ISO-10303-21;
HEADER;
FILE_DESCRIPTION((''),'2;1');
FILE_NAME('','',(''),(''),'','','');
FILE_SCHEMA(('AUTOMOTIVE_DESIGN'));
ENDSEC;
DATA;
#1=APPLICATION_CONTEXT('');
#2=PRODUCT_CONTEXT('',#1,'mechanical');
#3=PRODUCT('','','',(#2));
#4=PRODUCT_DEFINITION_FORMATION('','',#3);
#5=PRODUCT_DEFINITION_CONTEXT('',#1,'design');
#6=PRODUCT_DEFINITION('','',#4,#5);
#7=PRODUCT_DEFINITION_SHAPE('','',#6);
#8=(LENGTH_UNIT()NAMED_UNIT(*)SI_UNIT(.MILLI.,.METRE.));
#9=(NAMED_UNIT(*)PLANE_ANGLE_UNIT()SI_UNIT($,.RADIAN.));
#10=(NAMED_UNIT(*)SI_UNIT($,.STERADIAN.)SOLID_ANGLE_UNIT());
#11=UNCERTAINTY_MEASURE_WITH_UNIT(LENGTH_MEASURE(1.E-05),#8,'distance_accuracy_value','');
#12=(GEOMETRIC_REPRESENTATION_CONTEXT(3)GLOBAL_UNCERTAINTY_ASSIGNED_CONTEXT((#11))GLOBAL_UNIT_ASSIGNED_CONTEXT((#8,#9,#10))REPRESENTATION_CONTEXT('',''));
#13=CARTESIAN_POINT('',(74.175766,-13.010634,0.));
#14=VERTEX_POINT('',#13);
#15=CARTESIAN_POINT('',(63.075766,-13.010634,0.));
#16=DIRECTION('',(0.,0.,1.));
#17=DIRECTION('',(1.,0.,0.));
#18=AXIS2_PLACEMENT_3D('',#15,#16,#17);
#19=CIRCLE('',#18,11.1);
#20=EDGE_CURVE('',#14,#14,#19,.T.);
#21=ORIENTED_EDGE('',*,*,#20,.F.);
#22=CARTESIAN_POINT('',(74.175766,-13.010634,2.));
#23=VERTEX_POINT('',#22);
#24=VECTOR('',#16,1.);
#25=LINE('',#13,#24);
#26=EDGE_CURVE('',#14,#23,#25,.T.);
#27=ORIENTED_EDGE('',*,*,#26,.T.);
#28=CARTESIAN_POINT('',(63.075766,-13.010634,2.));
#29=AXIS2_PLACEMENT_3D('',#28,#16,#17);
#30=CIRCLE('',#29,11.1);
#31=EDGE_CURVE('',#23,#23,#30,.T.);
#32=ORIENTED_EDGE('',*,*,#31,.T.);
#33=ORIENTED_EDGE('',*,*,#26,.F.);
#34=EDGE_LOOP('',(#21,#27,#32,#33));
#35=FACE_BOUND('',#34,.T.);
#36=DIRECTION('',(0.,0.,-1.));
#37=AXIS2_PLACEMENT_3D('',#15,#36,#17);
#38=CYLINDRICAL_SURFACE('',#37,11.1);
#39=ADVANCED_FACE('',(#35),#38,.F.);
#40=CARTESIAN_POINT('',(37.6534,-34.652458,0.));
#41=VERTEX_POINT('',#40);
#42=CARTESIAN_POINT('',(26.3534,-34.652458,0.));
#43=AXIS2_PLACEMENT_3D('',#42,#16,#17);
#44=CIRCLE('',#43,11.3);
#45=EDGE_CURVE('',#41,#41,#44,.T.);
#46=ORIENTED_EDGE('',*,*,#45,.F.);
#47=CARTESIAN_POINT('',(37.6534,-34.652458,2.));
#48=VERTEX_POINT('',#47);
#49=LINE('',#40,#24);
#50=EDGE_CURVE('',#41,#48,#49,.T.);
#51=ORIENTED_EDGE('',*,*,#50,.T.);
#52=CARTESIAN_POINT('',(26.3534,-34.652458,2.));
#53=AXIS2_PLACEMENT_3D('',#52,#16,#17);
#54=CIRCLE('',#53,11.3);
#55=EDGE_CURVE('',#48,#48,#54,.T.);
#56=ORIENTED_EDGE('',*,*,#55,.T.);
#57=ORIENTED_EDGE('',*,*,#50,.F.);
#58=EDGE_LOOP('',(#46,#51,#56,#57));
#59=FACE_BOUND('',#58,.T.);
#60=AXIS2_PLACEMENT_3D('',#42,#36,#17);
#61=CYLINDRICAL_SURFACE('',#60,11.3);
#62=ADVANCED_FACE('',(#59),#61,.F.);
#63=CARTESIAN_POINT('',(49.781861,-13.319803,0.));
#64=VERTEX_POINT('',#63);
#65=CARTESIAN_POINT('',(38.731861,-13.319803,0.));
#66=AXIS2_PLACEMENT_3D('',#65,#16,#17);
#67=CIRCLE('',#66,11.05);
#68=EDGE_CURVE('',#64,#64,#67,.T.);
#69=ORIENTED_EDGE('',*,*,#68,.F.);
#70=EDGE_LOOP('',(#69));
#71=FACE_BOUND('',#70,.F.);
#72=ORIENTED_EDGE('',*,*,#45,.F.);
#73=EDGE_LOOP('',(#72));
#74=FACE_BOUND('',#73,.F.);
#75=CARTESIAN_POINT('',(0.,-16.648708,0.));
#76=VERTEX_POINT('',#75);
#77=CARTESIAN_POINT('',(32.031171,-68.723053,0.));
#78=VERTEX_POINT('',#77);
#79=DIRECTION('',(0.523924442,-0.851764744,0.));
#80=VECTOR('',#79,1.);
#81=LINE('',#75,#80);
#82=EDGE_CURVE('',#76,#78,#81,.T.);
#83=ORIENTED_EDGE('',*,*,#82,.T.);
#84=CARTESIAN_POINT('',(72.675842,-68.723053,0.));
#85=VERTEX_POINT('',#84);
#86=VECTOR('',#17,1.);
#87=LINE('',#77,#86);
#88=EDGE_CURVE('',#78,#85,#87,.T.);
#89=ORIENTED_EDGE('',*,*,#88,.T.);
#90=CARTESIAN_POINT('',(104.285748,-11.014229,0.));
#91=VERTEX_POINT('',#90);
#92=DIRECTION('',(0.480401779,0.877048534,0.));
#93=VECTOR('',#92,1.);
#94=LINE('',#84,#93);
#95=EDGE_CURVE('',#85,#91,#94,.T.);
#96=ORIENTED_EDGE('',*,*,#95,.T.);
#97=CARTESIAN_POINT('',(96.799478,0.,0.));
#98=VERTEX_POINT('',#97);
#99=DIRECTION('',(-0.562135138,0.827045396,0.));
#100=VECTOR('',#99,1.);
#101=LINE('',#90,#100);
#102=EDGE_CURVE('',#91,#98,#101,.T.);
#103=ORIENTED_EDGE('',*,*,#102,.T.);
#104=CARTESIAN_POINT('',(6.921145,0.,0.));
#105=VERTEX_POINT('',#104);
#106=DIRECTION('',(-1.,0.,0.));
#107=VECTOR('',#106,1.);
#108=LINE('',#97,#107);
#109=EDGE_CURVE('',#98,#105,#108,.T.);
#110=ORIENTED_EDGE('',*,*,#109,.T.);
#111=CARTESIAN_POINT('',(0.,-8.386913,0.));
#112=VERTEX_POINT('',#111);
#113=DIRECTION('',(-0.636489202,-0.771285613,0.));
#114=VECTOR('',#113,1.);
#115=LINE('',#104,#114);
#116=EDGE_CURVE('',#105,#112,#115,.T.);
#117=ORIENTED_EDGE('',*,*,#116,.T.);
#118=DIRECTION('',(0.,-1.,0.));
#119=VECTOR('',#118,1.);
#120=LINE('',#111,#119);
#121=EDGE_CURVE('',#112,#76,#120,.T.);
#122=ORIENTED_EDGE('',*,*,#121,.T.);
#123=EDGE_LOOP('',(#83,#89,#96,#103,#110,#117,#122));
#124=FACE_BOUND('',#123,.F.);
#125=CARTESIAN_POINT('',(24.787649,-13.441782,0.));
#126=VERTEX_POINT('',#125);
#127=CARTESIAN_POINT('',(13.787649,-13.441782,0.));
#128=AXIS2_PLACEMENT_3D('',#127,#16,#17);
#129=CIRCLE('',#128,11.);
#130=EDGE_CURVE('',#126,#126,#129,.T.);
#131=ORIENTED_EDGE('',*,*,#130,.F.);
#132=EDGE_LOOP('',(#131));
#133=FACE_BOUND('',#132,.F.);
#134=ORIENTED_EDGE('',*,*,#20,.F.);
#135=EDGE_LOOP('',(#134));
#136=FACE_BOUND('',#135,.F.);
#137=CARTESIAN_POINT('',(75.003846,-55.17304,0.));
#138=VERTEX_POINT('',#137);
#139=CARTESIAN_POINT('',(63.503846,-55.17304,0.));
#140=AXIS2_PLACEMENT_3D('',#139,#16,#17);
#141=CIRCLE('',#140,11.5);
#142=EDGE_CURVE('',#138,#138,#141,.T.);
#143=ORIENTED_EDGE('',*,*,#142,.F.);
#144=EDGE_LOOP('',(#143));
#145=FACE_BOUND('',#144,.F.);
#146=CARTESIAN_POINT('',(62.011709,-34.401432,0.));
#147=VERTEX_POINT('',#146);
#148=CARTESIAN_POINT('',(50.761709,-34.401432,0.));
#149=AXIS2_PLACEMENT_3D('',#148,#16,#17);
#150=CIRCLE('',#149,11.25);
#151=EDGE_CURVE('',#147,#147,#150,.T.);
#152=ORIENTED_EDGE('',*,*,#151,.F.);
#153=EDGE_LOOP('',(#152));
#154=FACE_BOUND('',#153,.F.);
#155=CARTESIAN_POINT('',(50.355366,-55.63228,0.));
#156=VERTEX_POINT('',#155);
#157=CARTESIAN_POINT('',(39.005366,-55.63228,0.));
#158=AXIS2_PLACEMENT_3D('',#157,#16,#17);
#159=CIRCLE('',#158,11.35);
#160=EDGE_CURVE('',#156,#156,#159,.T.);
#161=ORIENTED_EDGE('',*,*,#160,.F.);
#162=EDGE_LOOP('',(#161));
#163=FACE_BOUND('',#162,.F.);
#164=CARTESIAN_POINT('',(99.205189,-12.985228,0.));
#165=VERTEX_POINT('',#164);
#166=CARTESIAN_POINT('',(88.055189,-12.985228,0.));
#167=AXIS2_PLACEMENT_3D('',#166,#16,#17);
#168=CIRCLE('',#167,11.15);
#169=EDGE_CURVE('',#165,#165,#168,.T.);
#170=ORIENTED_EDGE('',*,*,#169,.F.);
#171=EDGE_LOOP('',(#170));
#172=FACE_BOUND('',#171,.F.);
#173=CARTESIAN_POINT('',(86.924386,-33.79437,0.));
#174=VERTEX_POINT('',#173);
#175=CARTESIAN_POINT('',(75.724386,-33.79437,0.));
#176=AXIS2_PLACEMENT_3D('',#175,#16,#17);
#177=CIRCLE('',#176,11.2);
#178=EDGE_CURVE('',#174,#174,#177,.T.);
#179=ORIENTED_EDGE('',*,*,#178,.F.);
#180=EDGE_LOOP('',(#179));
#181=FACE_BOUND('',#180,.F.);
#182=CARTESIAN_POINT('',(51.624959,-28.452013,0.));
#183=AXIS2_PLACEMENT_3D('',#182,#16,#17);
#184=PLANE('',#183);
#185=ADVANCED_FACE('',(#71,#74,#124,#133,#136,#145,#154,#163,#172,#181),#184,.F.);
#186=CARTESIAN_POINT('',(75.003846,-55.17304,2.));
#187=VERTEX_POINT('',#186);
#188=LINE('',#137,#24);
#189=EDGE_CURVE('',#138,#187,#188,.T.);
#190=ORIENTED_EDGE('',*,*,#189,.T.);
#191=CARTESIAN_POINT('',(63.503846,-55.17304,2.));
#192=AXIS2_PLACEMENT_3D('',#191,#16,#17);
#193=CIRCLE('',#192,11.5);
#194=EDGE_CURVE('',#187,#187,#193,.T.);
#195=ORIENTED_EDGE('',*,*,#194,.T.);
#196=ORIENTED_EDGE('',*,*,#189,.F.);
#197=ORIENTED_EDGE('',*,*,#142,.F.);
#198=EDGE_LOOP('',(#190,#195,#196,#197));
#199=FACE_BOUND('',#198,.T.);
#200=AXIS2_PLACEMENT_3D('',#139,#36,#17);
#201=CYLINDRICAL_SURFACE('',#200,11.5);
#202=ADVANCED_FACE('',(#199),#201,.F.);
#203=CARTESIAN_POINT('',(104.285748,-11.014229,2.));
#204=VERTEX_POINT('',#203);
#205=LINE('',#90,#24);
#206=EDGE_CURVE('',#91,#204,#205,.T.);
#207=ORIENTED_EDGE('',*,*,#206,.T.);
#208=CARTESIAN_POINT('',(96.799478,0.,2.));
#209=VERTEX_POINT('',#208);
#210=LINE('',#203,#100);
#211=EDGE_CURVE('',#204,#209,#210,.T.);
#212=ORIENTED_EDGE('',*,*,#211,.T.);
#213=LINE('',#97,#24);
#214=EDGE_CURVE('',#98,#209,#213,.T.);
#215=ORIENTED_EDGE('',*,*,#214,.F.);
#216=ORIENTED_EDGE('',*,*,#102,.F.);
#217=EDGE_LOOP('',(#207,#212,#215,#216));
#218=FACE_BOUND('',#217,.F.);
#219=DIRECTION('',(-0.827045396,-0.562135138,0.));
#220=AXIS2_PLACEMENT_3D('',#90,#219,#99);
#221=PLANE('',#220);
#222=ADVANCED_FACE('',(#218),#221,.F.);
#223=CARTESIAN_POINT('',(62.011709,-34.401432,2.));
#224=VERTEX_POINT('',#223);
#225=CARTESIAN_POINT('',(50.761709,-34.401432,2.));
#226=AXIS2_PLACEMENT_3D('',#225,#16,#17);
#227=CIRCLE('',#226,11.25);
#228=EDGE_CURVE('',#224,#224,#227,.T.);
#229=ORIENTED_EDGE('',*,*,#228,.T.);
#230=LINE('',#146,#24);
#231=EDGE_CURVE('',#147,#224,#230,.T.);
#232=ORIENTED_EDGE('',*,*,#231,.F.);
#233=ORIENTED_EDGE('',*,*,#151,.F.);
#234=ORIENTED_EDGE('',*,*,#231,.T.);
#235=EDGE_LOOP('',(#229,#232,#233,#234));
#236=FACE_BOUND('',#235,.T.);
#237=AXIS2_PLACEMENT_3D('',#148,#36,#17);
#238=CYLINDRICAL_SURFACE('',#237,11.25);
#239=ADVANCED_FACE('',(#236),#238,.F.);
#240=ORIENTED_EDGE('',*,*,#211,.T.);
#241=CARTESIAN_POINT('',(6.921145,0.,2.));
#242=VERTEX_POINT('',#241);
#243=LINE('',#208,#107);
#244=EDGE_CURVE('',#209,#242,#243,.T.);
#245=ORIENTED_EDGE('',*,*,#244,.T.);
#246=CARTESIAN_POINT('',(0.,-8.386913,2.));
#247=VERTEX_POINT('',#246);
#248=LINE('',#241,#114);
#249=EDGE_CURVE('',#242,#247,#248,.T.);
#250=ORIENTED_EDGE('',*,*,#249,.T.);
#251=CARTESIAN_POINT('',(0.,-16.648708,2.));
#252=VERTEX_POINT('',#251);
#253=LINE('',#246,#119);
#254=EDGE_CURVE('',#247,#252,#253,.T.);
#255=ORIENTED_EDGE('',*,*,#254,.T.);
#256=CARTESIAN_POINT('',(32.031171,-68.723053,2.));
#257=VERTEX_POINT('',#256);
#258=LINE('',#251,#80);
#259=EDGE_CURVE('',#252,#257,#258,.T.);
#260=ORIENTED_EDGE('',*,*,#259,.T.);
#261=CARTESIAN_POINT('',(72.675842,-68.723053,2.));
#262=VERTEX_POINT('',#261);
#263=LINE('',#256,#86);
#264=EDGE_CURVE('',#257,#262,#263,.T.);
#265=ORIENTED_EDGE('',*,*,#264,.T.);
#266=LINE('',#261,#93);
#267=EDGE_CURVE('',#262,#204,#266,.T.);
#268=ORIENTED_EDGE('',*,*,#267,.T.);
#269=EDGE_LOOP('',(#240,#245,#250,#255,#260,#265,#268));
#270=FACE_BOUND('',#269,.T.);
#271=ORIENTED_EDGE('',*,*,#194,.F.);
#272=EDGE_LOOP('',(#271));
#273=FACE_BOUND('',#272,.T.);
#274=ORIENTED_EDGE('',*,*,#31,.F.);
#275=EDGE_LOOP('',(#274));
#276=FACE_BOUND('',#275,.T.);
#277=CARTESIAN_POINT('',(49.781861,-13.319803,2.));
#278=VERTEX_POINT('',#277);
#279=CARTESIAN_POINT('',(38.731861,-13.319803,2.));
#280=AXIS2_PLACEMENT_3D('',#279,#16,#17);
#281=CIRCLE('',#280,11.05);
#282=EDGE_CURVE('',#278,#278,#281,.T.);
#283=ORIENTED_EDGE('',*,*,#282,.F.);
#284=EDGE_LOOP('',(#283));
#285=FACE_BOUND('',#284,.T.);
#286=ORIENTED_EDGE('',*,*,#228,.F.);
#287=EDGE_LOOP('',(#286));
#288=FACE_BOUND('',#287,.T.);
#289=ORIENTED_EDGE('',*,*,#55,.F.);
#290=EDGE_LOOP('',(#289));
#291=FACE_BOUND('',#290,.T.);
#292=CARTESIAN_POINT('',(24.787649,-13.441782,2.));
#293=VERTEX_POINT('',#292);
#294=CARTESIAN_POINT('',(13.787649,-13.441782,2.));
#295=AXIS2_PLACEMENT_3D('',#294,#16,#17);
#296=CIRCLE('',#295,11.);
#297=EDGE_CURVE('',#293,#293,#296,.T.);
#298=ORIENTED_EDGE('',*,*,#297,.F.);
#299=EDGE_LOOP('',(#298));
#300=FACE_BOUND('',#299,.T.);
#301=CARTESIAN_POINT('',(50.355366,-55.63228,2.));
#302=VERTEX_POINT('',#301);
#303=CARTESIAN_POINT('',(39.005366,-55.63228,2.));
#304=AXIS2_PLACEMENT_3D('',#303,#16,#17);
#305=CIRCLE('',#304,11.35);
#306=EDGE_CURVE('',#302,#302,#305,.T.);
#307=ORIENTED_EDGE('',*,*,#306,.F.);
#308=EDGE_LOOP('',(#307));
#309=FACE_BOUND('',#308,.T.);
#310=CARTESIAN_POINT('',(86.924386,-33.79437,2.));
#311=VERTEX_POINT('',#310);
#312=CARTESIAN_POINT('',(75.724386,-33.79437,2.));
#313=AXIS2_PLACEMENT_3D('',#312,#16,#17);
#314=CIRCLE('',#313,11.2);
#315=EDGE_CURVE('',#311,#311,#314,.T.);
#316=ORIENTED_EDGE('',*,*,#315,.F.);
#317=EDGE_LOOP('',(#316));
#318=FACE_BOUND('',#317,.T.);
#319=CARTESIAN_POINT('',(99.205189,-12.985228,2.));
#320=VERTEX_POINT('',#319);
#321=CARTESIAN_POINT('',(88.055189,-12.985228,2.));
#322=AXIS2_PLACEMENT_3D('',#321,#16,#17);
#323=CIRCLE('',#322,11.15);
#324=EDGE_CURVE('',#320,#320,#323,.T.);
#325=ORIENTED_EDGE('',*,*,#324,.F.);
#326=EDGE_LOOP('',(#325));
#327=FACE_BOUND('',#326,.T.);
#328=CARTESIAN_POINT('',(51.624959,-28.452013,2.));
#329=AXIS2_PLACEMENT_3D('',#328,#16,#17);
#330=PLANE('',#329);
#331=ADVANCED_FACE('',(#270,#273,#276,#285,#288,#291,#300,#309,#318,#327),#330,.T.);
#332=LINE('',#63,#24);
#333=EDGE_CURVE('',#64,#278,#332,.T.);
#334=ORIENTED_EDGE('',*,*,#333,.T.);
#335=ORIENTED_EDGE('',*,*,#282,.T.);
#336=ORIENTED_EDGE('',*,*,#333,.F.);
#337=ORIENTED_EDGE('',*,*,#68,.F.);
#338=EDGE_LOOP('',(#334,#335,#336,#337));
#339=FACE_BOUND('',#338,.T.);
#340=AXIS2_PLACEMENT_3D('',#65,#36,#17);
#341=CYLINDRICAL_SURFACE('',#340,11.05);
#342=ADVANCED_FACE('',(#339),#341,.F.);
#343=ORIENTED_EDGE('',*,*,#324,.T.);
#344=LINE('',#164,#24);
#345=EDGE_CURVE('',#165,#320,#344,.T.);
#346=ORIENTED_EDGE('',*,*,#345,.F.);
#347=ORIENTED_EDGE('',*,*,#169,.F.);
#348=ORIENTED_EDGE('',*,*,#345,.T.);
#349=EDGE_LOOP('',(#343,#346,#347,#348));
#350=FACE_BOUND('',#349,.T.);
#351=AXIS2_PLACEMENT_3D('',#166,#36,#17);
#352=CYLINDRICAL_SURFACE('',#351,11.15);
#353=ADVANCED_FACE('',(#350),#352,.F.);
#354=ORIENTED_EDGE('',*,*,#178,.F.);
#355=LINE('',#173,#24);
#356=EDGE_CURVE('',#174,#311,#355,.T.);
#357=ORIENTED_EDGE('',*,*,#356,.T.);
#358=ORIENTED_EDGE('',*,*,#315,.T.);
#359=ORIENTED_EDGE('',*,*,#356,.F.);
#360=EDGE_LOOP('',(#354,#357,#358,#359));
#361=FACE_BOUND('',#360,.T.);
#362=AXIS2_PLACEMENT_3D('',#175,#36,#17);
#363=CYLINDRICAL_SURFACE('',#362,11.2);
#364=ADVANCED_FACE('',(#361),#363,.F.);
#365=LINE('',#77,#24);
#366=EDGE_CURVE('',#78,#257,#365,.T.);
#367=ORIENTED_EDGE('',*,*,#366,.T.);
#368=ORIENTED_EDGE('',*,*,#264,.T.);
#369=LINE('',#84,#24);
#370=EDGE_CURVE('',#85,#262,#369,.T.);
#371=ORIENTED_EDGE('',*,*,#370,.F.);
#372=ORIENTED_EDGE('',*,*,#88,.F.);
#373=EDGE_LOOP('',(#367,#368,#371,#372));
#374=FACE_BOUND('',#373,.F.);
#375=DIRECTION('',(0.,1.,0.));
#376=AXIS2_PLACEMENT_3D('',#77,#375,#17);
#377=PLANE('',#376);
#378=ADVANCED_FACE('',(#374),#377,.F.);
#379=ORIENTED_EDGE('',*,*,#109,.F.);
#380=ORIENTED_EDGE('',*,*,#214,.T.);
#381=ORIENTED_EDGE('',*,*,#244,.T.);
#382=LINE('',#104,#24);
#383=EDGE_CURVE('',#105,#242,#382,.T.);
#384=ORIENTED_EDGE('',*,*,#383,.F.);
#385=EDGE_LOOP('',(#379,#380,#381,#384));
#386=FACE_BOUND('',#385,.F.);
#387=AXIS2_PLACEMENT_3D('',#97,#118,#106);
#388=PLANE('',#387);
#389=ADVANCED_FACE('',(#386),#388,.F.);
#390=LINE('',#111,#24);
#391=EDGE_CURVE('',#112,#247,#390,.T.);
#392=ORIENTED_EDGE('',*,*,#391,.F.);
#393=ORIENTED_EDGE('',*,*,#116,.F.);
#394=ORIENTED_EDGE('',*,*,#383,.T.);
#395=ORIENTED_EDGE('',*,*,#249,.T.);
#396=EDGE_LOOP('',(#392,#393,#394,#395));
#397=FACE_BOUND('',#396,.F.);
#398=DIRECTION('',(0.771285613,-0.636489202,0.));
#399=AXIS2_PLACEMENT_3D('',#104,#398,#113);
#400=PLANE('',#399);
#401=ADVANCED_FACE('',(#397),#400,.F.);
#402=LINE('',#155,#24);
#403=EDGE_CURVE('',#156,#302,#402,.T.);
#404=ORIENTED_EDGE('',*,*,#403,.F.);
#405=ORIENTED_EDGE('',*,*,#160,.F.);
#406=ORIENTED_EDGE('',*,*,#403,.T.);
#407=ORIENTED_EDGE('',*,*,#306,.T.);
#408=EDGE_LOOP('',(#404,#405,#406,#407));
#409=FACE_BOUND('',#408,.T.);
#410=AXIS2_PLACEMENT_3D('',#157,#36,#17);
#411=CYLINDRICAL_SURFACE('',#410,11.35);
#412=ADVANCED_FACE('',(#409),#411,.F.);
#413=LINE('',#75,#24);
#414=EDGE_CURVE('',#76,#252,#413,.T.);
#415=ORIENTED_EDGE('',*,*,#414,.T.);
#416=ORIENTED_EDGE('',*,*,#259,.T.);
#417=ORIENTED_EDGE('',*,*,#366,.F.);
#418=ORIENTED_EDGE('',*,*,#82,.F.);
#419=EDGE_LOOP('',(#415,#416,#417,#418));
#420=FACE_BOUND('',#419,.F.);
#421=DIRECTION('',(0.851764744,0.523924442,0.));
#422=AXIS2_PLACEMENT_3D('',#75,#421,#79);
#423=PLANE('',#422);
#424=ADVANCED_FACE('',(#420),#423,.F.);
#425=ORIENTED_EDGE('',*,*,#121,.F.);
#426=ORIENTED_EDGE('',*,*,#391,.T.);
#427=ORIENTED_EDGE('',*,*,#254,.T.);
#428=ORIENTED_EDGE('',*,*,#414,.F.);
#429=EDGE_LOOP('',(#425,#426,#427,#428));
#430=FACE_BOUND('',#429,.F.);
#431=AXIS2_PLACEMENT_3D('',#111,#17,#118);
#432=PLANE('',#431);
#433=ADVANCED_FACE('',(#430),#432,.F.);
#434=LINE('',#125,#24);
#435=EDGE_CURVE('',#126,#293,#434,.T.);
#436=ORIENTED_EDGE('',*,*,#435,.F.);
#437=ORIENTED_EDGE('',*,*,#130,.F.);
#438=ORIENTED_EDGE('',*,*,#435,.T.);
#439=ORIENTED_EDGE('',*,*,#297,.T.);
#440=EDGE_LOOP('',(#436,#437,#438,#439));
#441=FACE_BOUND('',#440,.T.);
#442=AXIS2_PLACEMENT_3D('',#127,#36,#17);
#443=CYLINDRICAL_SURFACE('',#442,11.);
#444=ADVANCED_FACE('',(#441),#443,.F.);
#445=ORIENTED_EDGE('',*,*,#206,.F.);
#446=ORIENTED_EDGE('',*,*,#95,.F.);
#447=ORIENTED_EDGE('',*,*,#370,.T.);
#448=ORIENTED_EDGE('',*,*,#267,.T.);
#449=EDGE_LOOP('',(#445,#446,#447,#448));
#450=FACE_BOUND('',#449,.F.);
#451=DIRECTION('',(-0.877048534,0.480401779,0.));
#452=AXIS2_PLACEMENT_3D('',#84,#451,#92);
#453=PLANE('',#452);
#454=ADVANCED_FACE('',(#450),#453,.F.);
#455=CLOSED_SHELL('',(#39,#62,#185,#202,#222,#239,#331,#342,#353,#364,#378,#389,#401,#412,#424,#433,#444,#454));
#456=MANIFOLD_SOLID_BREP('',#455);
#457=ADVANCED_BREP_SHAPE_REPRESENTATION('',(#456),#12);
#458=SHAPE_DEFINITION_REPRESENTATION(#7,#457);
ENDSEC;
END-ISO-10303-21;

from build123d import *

# Parameters (mm, degrees)
F0_R     = 11.3
F0_R_2   = 11.35
F0_R_3   = 11.5
F0_R_4   = 11.25
F0_R_5   = 11
F0_R_6   = 11.05
F0_R_7   = 11.1
F0_R_8   = 11.2
F0_R_9   = 11.15
F1_DEPTH = 2


with BuildPart() as f1:
    # F0 (on Top) → F1 (new body)
    with BuildSketch(Plane.XY):
        Polygon((96.799478, 0), (6.921145, 0), (0, -8.386913), (0, -16.648708), (32.031171, -68.723053), (72.675842, -68.723053), (104.285748, -11.014229), align=None)
        with Locations((26.3534, -34.652458)):
            Circle(F0_R, mode=Mode.SUBTRACT)
        with Locations((39.005366, -55.63228)):
            Circle(F0_R_2, mode=Mode.SUBTRACT)
        with Locations((63.503846, -55.17304)):
            Circle(F0_R_3, mode=Mode.SUBTRACT)
        with Locations((50.761709, -34.401432)):
            Circle(F0_R_4, mode=Mode.SUBTRACT)
        with Locations((13.787649, -13.441782)):
            Circle(F0_R_5, mode=Mode.SUBTRACT)
        with Locations((38.731861, -13.319803)):
            Circle(F0_R_6, mode=Mode.SUBTRACT)
        with Locations((63.075766, -13.010634)):
            Circle(F0_R_7, mode=Mode.SUBTRACT)
        with Locations((75.724386, -33.79437)):
            Circle(F0_R_8, mode=Mode.SUBTRACT)
        with Locations((88.055189, -12.985228)):
            Circle(F0_R_9, mode=Mode.SUBTRACT)
    extrude(amount=F1_DEPTH)


solid = f1.part
